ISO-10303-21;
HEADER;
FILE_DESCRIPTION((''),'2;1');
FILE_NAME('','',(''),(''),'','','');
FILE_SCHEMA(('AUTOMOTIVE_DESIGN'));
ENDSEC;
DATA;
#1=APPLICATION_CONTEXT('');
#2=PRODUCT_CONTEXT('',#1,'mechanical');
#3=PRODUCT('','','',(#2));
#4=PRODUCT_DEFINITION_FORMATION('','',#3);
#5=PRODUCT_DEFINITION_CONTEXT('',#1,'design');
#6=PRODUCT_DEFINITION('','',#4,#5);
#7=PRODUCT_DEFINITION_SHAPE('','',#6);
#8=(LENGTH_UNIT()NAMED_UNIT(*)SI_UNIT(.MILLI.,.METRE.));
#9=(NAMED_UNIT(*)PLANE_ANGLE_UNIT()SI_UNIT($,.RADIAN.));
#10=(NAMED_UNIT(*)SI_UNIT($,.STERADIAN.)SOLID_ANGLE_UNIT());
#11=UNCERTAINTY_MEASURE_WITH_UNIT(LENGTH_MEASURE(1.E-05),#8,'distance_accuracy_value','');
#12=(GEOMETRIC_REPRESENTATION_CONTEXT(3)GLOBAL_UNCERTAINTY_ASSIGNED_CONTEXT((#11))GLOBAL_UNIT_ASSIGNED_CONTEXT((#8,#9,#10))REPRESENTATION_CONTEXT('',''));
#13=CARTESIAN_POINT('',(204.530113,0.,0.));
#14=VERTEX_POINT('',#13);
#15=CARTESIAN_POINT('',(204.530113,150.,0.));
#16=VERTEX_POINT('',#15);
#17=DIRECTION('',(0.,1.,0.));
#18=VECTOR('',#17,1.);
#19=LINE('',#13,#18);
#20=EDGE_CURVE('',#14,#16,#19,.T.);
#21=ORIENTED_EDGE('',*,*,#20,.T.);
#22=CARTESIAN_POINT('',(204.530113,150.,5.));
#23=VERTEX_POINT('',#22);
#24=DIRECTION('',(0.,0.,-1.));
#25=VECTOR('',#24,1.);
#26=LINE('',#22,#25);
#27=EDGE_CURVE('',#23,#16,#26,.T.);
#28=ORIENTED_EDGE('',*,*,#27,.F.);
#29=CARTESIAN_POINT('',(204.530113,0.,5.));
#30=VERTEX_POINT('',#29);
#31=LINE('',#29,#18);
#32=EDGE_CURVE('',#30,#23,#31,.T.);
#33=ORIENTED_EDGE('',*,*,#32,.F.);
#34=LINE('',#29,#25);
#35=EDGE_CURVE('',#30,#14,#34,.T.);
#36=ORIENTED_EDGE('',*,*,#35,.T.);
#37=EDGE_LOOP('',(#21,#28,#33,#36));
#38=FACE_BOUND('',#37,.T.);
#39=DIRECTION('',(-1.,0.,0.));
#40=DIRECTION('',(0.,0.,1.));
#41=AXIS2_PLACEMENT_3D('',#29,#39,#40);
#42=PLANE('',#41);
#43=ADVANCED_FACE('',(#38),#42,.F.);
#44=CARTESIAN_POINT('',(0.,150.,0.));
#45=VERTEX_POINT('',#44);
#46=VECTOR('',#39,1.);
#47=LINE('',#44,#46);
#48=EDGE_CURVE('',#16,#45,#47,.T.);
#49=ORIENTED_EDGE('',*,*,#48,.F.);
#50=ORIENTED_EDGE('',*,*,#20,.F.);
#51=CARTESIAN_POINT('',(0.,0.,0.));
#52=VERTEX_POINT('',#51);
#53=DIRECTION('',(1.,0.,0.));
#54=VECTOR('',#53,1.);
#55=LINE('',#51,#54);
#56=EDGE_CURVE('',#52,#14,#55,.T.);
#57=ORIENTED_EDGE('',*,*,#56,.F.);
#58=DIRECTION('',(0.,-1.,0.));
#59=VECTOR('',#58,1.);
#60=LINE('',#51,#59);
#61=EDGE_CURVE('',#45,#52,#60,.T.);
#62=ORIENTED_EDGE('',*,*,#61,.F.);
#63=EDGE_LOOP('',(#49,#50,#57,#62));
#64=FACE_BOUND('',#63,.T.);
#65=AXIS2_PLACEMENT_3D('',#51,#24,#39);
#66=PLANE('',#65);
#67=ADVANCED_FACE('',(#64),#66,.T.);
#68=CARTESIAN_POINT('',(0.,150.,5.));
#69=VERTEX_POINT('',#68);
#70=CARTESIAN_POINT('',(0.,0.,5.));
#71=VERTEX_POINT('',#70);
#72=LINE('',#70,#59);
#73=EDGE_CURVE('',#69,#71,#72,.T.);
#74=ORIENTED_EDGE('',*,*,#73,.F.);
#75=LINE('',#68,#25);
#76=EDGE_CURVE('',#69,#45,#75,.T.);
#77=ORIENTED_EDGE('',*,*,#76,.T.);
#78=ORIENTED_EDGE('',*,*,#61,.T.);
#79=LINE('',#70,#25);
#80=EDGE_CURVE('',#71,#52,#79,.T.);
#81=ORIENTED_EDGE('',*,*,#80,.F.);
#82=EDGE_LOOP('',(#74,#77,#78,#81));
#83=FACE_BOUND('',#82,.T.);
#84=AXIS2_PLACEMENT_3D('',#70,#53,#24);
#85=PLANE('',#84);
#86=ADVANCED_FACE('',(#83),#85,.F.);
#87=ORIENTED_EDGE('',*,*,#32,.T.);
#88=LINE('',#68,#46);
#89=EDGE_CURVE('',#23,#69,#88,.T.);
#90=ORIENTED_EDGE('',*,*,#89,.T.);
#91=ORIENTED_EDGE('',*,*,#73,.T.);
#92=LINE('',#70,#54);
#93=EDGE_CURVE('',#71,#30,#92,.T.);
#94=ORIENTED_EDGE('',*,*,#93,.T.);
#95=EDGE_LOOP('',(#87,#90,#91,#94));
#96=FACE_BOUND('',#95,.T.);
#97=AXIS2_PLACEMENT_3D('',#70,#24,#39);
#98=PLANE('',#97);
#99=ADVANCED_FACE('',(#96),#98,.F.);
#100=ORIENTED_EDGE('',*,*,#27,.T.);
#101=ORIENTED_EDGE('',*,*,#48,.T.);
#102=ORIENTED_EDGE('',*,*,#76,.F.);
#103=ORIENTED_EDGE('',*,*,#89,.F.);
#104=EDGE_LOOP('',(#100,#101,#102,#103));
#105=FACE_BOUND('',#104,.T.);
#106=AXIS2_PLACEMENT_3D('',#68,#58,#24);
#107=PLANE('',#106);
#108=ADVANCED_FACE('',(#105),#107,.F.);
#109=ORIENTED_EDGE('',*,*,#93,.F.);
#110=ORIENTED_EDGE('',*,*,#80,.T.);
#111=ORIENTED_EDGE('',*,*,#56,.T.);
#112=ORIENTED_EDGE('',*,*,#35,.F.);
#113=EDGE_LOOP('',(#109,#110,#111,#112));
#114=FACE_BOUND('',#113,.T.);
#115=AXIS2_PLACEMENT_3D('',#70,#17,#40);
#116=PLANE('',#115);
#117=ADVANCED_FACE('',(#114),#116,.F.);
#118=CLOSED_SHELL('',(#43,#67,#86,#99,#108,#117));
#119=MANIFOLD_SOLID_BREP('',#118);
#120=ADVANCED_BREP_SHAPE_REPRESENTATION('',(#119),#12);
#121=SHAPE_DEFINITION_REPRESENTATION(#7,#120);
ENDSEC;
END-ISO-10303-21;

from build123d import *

# Parameters (mm, degrees)
ESQUISSE1_W        = 204.530112698
ESQUISSE1_H        = 150
BOSS_EXTRU_1_DEPTH = 5


with BuildPart() as part:
    # Esquisse1 → Boss.-Extru.1 (new body)
    with BuildSketch(Plane.XY):
        with Locations((102.265056349, 75)):
            Rectangle(ESQUISSE1_W, ESQUISSE1_H)
    extrude(amount=BOSS_EXTRU_1_DEPTH)


solid = part.part
